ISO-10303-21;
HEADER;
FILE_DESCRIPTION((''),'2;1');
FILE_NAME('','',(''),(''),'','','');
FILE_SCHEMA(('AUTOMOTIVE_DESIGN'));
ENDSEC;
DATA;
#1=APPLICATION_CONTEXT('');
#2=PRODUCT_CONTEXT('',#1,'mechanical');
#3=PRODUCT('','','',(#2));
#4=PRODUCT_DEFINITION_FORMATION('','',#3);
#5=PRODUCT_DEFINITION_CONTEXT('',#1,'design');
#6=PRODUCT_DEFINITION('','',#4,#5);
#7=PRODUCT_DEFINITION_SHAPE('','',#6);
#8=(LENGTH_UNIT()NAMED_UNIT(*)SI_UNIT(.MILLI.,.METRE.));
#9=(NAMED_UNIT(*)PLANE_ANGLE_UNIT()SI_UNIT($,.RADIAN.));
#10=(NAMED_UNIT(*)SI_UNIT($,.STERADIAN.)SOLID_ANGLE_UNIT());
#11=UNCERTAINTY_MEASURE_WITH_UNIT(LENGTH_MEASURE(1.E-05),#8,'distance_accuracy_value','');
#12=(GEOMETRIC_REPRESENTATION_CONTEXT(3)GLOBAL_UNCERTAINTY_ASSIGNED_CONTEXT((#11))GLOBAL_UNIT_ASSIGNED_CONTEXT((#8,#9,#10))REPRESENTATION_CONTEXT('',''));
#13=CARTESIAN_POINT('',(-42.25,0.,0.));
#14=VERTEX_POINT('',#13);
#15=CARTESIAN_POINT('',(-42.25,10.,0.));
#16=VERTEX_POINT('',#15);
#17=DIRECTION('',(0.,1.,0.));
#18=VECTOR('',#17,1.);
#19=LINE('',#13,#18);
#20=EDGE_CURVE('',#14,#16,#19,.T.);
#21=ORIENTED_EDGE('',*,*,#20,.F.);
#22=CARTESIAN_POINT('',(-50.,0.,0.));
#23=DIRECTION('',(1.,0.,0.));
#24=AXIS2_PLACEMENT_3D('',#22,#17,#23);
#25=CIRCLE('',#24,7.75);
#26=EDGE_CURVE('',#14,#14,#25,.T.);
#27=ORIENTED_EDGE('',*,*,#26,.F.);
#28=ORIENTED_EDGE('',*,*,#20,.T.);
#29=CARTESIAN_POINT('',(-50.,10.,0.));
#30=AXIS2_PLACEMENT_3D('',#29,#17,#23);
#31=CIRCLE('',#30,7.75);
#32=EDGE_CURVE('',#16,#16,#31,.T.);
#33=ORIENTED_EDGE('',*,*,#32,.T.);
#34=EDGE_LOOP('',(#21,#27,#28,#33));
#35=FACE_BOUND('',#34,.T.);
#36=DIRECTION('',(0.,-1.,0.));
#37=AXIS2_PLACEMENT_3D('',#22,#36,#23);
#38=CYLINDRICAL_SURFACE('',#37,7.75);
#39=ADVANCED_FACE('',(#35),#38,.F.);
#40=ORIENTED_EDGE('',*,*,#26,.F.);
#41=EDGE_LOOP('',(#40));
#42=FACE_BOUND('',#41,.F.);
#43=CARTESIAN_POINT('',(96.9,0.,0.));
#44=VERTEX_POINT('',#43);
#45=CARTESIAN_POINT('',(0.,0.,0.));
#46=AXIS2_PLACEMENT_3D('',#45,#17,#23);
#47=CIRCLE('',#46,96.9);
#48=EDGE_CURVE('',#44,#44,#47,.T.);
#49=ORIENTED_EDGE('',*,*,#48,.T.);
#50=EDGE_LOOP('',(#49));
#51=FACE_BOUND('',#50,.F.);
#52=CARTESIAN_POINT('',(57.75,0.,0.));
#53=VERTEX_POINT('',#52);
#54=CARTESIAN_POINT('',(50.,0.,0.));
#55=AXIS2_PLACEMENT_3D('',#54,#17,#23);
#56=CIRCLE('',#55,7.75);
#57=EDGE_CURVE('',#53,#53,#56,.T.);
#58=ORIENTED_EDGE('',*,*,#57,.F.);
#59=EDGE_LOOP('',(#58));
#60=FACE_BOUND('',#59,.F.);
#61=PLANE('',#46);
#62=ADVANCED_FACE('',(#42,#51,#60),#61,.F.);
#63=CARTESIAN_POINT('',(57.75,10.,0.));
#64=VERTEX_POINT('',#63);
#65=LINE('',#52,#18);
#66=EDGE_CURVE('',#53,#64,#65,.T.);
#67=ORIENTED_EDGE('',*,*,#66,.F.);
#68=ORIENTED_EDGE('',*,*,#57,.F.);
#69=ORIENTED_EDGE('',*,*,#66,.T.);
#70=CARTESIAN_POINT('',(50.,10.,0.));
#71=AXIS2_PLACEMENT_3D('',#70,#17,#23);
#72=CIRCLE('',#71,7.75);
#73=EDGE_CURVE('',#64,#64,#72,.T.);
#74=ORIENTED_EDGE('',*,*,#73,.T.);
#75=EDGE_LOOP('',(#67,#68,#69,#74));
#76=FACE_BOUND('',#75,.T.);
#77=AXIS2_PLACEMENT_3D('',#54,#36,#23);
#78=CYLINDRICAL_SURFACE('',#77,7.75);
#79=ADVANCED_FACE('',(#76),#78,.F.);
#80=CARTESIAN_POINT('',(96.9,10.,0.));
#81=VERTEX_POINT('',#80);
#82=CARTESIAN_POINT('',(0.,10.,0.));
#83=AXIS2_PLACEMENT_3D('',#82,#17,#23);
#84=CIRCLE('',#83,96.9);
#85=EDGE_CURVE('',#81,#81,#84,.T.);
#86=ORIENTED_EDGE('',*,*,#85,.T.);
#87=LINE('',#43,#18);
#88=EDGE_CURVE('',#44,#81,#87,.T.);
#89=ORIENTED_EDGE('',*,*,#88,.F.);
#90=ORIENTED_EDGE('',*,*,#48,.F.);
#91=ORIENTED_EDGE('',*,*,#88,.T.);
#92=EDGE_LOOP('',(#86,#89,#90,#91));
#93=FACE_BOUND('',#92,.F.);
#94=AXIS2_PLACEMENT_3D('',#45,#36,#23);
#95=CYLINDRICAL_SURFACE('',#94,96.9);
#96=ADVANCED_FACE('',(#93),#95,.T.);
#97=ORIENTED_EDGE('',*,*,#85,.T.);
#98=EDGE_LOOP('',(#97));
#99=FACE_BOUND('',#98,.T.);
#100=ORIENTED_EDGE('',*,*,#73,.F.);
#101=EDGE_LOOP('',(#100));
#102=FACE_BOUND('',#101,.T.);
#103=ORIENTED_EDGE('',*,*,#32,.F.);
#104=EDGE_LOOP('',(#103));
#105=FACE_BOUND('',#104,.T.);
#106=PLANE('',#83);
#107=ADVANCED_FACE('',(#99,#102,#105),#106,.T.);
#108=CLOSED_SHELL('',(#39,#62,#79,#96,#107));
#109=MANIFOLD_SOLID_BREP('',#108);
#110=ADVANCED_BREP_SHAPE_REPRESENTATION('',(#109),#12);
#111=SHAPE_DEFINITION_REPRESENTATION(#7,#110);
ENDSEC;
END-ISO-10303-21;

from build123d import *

# Parameters (mm, degrees)
SKETCH1_R           = 96.9
SKETCH1_R_2         = 7.75
BOSS_EXTRUDE1_DEPTH = 10


with BuildPart() as part:
    # Sketch1 → Boss-Extrude1 (new body)
    with BuildSketch(Plane(origin=(0, 0, 0), x_dir=(1, 0, 0), z_dir=(0, 1, 0))):
        Circle(SKETCH1_R)
        with Locations((50, 0)):
            Circle(SKETCH1_R_2, mode=Mode.SUBTRACT)
        with Locations((-50, 0)):
            Circle(SKETCH1_R_2, mode=Mode.SUBTRACT)
    extrude(amount=BOSS_EXTRUDE1_DEPTH)


solid = part.part
